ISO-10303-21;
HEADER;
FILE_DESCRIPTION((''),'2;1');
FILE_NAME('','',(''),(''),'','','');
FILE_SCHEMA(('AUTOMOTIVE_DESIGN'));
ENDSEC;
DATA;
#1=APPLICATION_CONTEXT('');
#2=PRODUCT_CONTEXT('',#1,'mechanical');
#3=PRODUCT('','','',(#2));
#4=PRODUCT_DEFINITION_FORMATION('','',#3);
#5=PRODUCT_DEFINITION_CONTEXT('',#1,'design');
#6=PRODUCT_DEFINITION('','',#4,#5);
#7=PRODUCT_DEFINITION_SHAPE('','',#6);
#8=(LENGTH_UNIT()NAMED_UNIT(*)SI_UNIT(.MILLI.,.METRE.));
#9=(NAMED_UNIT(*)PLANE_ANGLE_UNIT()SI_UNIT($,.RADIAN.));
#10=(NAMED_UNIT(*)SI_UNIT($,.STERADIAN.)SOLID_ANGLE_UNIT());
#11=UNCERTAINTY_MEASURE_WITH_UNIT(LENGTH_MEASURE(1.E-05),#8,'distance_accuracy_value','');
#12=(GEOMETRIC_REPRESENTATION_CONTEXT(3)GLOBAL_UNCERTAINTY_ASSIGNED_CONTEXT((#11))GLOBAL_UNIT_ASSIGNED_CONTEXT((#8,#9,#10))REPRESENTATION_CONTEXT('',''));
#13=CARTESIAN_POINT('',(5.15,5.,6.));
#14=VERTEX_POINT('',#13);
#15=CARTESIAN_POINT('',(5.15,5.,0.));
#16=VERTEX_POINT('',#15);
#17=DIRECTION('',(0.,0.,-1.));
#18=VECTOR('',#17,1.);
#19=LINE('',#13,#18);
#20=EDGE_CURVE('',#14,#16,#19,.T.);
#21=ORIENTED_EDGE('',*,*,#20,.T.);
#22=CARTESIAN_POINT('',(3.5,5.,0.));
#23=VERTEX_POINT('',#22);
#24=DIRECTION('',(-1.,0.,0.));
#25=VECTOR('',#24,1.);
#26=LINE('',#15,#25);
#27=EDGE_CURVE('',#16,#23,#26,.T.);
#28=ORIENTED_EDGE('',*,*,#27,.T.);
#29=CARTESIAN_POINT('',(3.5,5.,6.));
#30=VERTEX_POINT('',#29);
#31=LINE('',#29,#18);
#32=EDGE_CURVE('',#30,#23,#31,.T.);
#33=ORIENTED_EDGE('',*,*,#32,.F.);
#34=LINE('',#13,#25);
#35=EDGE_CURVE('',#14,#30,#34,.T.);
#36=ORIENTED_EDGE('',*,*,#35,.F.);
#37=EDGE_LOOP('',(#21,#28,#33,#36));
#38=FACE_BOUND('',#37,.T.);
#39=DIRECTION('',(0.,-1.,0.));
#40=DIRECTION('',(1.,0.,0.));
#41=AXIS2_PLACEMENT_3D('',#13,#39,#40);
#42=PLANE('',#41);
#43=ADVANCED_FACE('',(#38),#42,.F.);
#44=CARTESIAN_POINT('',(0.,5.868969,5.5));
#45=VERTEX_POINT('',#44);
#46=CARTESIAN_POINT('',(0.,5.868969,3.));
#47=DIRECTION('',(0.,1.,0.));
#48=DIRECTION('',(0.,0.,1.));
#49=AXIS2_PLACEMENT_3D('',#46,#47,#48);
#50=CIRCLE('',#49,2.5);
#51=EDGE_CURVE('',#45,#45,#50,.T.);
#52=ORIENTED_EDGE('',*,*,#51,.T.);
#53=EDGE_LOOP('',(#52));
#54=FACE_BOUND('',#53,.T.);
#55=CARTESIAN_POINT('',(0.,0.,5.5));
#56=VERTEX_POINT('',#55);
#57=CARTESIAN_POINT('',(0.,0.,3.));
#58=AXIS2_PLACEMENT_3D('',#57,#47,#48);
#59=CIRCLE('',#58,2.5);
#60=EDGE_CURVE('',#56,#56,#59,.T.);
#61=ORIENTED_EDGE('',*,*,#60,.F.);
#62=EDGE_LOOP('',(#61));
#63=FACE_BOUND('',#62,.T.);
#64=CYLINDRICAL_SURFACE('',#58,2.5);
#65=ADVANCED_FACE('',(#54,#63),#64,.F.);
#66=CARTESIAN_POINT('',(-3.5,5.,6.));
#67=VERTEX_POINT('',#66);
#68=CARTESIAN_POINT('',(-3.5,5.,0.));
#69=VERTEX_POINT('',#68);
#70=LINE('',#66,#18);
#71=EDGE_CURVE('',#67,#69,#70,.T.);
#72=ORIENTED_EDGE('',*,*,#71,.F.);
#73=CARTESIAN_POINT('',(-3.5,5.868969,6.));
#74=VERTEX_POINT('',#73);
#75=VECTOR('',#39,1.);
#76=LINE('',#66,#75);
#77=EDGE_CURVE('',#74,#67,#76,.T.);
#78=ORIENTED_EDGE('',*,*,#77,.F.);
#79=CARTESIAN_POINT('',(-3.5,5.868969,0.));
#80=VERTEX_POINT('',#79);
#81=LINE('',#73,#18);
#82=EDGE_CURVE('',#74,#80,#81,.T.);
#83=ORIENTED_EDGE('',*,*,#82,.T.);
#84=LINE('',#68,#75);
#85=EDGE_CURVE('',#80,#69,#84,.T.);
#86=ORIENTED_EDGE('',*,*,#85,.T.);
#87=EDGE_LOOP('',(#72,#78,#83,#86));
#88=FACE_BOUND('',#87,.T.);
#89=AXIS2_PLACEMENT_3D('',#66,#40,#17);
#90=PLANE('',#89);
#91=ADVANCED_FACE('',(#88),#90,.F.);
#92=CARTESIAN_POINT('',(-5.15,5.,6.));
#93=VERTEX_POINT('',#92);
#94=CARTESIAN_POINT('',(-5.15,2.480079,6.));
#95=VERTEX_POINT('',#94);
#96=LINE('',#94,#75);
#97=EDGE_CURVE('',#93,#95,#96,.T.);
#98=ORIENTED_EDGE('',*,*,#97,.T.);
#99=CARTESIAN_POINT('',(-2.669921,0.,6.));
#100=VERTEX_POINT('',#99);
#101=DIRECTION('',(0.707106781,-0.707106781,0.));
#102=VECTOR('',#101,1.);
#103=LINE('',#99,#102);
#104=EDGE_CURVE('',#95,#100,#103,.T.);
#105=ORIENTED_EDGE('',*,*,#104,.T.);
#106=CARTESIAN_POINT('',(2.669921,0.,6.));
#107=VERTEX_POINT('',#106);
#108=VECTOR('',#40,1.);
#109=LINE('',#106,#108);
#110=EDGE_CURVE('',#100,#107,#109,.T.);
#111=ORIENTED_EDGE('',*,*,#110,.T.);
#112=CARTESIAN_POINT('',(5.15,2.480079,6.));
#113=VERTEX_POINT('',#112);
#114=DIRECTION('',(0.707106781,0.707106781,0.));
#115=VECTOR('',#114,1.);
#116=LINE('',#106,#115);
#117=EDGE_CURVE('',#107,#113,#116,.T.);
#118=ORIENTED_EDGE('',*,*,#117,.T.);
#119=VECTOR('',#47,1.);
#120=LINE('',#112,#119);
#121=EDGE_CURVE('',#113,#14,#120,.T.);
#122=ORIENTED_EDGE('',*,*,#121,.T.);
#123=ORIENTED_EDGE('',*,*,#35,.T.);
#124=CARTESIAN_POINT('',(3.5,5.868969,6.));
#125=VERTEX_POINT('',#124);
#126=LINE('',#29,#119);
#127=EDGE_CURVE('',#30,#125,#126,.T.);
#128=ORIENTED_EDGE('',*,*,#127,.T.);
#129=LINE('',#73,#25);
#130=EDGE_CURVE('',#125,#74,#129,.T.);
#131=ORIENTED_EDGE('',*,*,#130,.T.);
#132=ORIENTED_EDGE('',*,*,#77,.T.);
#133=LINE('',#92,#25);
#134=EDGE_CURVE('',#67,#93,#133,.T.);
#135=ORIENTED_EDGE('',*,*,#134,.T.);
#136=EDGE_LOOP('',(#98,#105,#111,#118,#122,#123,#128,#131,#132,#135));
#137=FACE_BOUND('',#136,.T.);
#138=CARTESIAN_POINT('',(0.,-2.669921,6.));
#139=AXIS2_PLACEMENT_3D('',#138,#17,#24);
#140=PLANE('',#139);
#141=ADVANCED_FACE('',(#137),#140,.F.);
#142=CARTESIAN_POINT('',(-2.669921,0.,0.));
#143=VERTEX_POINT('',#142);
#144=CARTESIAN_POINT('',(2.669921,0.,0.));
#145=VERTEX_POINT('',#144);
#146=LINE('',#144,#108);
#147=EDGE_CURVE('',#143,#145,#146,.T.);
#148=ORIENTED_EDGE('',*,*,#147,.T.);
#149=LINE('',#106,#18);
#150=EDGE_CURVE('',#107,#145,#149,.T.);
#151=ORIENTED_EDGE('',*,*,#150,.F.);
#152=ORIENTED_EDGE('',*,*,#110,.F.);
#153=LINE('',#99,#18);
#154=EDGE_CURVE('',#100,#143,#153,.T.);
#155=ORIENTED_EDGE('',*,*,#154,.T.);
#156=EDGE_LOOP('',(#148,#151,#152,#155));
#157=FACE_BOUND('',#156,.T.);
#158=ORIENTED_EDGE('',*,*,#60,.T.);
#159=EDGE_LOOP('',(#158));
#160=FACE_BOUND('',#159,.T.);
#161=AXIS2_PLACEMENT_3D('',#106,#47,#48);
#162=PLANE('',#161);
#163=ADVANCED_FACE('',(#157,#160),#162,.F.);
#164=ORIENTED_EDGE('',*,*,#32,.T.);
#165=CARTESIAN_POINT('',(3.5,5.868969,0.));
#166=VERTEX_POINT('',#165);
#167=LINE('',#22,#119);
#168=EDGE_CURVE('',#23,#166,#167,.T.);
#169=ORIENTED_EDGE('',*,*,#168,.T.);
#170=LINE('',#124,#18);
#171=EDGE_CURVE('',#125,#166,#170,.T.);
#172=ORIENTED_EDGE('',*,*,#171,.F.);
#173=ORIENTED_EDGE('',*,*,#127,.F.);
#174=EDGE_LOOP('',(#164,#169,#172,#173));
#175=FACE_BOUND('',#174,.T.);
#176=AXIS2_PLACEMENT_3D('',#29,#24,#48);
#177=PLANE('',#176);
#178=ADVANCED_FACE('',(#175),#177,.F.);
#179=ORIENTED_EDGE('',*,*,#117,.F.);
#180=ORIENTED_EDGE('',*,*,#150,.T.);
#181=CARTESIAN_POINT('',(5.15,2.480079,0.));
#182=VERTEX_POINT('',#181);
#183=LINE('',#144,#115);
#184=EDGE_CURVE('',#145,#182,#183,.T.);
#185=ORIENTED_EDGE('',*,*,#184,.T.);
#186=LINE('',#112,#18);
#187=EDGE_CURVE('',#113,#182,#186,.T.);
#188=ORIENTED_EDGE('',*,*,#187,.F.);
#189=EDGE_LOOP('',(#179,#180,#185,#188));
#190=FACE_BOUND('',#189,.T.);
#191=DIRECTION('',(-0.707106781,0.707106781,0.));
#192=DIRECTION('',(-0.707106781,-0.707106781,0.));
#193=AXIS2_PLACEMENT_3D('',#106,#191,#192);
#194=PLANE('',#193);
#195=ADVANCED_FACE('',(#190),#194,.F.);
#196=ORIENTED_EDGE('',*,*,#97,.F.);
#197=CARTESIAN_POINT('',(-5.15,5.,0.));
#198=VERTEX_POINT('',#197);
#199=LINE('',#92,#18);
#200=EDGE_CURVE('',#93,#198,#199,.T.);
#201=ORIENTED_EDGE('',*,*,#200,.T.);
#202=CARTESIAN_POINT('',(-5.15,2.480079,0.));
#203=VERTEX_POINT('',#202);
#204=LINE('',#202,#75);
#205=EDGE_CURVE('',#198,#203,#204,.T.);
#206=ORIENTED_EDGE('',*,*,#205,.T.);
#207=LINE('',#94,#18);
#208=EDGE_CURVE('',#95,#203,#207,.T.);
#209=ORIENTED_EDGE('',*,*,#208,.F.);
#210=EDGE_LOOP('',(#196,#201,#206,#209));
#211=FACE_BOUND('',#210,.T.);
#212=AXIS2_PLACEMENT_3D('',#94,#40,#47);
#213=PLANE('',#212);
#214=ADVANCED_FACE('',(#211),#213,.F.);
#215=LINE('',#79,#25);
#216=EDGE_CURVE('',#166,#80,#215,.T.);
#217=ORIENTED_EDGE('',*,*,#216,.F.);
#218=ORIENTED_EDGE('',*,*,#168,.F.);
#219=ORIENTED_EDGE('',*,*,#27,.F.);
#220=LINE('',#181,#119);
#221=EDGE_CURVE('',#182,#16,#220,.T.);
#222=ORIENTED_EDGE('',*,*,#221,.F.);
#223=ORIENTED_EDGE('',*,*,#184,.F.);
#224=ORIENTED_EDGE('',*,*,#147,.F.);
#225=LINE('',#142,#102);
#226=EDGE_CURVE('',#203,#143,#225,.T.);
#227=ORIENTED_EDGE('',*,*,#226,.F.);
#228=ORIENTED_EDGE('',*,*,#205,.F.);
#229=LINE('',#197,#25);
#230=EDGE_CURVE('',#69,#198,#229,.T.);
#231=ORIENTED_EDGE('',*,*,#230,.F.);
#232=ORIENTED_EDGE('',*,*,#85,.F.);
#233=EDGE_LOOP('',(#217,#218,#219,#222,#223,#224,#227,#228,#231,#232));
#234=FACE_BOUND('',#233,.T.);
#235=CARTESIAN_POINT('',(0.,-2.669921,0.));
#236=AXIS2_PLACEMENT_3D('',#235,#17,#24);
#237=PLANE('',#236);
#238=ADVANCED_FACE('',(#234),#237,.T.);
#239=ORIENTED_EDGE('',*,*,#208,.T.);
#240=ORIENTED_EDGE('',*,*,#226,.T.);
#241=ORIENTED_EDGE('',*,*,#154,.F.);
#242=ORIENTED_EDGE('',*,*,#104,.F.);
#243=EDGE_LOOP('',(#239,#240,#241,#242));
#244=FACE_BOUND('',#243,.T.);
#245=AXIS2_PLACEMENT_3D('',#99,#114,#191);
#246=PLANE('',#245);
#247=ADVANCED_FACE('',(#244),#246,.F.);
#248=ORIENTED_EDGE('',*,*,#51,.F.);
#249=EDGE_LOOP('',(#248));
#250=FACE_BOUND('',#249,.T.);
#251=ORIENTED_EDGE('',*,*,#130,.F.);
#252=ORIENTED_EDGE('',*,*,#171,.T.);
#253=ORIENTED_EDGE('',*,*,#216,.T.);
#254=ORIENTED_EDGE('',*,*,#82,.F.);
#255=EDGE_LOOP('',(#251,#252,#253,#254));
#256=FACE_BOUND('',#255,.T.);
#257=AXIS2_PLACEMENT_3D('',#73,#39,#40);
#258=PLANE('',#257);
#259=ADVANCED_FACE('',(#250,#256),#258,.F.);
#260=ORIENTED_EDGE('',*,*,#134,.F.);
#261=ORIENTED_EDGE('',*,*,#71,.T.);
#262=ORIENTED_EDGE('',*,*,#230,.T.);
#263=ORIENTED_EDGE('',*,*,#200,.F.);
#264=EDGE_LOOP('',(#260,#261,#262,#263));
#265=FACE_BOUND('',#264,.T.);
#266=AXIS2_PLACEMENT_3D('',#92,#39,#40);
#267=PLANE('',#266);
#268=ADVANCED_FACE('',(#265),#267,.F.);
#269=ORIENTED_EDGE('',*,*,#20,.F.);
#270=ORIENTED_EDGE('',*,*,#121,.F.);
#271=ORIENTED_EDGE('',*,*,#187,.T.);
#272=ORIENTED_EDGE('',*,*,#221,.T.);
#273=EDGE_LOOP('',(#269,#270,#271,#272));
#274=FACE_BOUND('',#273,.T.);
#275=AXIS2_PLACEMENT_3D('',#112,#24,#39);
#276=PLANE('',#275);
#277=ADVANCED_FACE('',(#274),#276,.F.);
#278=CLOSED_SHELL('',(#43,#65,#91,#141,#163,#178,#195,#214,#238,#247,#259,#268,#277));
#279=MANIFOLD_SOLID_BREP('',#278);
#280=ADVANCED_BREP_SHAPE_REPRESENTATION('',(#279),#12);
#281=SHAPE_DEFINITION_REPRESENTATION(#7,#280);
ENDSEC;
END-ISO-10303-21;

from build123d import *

# Parameters (mm, degrees)
BOSS_EXTRUDE1_DEPTH = 6
SKETCH2_R           = 2.5
CUT_EXTRUDE1_DEPTH  = 10.847197304


with BuildPart() as part:
    # Sketch1 → Boss-Extrude1 (new body)
    with BuildSketch(Plane.XY):
        Polygon((2.669921309, 0), (-2.669921309, 0), (-5.15, 2.480078691), (-5.15, 5), (-3.5, 5), (-3.5, 5.868968797), (3.5, 5.868968797), (3.5, 5), (5.15, 5), (5.15, 2.480078691), align=None)
    extrude(amount=BOSS_EXTRUDE1_DEPTH)

    # Sketch2 → Cut-Extrude1 (cut, through all)
    with BuildSketch(Plane(origin=(0, 5.868968797, 0), x_dir=(1, 0, 0), z_dir=(0, 1, 0))):
        with Locations(Location((0, -3, 0), (0, 0, 270))):
            Circle(SKETCH2_R)
    extrude(amount=-CUT_EXTRUDE1_DEPTH, mode=Mode.SUBTRACT)


solid = part.part
